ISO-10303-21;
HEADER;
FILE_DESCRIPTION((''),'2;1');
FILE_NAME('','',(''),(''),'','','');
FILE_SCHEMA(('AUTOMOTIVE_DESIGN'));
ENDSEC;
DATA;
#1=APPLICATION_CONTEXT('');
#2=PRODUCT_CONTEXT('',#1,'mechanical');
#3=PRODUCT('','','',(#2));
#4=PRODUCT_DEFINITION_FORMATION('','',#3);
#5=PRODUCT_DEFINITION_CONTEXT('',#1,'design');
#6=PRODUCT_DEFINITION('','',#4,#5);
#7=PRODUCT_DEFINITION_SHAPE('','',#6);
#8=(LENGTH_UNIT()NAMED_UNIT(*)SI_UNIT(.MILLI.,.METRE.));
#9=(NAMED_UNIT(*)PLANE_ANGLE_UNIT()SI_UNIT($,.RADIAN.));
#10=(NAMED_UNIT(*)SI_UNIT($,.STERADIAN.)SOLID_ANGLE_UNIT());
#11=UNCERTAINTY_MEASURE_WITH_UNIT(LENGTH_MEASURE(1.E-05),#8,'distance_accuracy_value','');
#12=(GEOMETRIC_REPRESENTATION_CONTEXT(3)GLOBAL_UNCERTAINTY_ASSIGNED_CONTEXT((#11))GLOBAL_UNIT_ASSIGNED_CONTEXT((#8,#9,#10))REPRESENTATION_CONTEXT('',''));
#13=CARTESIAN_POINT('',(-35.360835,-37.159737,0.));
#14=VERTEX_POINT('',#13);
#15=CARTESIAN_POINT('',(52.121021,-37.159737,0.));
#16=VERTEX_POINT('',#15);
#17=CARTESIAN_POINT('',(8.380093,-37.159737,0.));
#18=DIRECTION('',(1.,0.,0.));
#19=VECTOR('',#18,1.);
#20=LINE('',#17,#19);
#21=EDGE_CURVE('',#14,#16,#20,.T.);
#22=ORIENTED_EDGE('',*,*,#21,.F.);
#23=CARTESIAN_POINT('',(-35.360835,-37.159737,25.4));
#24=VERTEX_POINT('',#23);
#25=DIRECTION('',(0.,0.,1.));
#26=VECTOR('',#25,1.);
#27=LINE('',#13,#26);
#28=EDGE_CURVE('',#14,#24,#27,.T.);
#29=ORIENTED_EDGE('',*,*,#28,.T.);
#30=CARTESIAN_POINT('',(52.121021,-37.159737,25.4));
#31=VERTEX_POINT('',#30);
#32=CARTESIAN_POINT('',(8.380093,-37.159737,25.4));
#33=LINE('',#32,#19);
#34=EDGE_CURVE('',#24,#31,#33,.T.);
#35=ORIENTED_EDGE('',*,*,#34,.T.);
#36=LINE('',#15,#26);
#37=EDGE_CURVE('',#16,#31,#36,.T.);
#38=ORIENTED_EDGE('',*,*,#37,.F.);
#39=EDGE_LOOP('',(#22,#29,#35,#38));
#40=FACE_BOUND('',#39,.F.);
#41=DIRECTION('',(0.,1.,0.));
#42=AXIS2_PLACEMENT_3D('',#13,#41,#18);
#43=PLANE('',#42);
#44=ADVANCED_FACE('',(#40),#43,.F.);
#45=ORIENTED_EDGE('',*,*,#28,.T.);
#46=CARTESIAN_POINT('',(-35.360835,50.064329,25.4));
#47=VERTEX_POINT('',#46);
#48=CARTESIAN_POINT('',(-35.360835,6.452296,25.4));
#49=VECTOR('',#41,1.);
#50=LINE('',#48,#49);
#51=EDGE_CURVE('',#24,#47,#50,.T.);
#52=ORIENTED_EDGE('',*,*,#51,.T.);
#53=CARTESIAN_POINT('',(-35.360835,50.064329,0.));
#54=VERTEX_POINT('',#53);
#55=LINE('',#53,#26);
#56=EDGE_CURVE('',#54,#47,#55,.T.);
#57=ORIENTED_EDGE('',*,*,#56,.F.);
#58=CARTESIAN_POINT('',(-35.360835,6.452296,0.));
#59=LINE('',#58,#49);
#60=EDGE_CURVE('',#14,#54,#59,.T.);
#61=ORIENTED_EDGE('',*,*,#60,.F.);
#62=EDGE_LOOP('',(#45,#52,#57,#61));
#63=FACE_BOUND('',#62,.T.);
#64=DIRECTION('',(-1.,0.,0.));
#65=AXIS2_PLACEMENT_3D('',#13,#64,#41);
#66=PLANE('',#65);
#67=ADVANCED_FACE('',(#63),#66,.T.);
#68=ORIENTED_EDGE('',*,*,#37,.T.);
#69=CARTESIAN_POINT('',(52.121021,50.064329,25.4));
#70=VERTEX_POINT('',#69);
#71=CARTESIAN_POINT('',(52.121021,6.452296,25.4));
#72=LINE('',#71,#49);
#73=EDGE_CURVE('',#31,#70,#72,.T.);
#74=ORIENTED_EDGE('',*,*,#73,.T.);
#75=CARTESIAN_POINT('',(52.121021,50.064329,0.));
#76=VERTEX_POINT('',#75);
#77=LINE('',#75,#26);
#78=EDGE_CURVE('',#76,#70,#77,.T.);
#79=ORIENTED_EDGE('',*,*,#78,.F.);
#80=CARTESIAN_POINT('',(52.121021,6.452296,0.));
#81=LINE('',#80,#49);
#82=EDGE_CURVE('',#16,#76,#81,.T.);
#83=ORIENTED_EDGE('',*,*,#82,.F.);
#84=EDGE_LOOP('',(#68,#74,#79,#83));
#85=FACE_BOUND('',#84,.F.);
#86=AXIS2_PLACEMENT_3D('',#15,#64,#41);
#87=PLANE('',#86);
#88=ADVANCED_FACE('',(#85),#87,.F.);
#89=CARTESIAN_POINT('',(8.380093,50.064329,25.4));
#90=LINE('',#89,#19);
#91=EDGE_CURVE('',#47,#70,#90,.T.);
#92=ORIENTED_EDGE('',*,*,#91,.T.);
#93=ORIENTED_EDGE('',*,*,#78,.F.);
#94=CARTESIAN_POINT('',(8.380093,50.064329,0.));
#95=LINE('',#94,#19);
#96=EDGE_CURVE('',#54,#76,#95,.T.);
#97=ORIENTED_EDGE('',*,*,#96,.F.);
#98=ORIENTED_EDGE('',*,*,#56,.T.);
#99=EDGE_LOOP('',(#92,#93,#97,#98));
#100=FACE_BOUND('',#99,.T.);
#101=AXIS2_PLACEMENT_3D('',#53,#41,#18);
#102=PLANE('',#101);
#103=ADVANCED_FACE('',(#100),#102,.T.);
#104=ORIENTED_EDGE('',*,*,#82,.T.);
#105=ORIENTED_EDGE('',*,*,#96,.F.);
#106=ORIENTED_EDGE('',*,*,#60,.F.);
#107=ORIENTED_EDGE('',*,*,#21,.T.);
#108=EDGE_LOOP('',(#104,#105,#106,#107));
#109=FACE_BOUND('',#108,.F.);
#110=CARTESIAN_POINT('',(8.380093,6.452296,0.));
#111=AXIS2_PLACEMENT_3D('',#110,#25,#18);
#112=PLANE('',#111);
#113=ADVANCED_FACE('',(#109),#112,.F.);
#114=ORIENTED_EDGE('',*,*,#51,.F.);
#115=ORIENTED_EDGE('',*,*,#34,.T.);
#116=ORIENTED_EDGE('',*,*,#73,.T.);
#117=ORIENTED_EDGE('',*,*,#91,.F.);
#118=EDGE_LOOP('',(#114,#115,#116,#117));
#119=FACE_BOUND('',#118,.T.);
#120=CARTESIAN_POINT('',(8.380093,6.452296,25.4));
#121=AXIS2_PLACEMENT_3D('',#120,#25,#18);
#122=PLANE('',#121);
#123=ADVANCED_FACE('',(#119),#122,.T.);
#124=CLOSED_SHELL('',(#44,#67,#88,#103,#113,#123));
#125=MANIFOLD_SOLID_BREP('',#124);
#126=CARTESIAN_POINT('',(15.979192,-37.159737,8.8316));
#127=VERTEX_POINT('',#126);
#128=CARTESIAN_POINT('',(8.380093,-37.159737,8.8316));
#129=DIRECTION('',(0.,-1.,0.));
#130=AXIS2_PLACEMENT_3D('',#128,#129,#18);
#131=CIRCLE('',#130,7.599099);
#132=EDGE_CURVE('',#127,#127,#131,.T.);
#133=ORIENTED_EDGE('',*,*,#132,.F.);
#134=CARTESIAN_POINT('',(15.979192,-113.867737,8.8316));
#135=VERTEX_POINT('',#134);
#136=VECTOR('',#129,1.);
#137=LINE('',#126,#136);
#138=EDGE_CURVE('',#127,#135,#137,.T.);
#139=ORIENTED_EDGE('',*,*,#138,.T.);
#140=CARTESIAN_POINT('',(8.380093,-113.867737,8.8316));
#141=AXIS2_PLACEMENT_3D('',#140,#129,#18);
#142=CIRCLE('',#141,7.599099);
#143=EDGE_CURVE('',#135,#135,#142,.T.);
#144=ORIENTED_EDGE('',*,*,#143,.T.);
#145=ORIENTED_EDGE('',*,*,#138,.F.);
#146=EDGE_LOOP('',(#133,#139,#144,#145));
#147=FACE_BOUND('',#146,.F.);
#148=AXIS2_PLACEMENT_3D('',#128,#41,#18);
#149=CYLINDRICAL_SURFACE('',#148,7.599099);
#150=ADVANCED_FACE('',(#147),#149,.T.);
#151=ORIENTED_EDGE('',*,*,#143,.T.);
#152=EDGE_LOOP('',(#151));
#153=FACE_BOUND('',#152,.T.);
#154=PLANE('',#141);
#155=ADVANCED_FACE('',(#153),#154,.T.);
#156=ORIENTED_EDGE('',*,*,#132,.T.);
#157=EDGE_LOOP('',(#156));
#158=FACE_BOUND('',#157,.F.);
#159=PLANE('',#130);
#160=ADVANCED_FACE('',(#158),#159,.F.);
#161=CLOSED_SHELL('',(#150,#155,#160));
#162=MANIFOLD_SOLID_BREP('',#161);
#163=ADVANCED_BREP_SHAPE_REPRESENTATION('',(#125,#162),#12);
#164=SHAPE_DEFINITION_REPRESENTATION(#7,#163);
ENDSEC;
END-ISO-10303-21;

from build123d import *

# Parameters (mm, degrees)
F0_W     = 87.481856
F0_H     = 87.224066
F1_DEPTH = 25.4
F2_R     = 7.599099
F3_DEPTH = 76.708


with BuildPart() as f1:
    # F0 (on Top) → F1 (new body)
    with BuildSketch(Plane.XY):
        with Locations((8.380093, 6.452296)):
            Rectangle(F0_W, F0_H)
    extrude(amount=F1_DEPTH)


with BuildPart() as f3:
    # F2 (on face) → F3 (new body)
    with BuildSketch(Plane.XZ.offset(37.159737)):
        with Locations((8.380093, 8.8316)):
            Circle(F2_R)
    extrude(amount=F3_DEPTH)


solid = Compound([f1.part, f3.part])
